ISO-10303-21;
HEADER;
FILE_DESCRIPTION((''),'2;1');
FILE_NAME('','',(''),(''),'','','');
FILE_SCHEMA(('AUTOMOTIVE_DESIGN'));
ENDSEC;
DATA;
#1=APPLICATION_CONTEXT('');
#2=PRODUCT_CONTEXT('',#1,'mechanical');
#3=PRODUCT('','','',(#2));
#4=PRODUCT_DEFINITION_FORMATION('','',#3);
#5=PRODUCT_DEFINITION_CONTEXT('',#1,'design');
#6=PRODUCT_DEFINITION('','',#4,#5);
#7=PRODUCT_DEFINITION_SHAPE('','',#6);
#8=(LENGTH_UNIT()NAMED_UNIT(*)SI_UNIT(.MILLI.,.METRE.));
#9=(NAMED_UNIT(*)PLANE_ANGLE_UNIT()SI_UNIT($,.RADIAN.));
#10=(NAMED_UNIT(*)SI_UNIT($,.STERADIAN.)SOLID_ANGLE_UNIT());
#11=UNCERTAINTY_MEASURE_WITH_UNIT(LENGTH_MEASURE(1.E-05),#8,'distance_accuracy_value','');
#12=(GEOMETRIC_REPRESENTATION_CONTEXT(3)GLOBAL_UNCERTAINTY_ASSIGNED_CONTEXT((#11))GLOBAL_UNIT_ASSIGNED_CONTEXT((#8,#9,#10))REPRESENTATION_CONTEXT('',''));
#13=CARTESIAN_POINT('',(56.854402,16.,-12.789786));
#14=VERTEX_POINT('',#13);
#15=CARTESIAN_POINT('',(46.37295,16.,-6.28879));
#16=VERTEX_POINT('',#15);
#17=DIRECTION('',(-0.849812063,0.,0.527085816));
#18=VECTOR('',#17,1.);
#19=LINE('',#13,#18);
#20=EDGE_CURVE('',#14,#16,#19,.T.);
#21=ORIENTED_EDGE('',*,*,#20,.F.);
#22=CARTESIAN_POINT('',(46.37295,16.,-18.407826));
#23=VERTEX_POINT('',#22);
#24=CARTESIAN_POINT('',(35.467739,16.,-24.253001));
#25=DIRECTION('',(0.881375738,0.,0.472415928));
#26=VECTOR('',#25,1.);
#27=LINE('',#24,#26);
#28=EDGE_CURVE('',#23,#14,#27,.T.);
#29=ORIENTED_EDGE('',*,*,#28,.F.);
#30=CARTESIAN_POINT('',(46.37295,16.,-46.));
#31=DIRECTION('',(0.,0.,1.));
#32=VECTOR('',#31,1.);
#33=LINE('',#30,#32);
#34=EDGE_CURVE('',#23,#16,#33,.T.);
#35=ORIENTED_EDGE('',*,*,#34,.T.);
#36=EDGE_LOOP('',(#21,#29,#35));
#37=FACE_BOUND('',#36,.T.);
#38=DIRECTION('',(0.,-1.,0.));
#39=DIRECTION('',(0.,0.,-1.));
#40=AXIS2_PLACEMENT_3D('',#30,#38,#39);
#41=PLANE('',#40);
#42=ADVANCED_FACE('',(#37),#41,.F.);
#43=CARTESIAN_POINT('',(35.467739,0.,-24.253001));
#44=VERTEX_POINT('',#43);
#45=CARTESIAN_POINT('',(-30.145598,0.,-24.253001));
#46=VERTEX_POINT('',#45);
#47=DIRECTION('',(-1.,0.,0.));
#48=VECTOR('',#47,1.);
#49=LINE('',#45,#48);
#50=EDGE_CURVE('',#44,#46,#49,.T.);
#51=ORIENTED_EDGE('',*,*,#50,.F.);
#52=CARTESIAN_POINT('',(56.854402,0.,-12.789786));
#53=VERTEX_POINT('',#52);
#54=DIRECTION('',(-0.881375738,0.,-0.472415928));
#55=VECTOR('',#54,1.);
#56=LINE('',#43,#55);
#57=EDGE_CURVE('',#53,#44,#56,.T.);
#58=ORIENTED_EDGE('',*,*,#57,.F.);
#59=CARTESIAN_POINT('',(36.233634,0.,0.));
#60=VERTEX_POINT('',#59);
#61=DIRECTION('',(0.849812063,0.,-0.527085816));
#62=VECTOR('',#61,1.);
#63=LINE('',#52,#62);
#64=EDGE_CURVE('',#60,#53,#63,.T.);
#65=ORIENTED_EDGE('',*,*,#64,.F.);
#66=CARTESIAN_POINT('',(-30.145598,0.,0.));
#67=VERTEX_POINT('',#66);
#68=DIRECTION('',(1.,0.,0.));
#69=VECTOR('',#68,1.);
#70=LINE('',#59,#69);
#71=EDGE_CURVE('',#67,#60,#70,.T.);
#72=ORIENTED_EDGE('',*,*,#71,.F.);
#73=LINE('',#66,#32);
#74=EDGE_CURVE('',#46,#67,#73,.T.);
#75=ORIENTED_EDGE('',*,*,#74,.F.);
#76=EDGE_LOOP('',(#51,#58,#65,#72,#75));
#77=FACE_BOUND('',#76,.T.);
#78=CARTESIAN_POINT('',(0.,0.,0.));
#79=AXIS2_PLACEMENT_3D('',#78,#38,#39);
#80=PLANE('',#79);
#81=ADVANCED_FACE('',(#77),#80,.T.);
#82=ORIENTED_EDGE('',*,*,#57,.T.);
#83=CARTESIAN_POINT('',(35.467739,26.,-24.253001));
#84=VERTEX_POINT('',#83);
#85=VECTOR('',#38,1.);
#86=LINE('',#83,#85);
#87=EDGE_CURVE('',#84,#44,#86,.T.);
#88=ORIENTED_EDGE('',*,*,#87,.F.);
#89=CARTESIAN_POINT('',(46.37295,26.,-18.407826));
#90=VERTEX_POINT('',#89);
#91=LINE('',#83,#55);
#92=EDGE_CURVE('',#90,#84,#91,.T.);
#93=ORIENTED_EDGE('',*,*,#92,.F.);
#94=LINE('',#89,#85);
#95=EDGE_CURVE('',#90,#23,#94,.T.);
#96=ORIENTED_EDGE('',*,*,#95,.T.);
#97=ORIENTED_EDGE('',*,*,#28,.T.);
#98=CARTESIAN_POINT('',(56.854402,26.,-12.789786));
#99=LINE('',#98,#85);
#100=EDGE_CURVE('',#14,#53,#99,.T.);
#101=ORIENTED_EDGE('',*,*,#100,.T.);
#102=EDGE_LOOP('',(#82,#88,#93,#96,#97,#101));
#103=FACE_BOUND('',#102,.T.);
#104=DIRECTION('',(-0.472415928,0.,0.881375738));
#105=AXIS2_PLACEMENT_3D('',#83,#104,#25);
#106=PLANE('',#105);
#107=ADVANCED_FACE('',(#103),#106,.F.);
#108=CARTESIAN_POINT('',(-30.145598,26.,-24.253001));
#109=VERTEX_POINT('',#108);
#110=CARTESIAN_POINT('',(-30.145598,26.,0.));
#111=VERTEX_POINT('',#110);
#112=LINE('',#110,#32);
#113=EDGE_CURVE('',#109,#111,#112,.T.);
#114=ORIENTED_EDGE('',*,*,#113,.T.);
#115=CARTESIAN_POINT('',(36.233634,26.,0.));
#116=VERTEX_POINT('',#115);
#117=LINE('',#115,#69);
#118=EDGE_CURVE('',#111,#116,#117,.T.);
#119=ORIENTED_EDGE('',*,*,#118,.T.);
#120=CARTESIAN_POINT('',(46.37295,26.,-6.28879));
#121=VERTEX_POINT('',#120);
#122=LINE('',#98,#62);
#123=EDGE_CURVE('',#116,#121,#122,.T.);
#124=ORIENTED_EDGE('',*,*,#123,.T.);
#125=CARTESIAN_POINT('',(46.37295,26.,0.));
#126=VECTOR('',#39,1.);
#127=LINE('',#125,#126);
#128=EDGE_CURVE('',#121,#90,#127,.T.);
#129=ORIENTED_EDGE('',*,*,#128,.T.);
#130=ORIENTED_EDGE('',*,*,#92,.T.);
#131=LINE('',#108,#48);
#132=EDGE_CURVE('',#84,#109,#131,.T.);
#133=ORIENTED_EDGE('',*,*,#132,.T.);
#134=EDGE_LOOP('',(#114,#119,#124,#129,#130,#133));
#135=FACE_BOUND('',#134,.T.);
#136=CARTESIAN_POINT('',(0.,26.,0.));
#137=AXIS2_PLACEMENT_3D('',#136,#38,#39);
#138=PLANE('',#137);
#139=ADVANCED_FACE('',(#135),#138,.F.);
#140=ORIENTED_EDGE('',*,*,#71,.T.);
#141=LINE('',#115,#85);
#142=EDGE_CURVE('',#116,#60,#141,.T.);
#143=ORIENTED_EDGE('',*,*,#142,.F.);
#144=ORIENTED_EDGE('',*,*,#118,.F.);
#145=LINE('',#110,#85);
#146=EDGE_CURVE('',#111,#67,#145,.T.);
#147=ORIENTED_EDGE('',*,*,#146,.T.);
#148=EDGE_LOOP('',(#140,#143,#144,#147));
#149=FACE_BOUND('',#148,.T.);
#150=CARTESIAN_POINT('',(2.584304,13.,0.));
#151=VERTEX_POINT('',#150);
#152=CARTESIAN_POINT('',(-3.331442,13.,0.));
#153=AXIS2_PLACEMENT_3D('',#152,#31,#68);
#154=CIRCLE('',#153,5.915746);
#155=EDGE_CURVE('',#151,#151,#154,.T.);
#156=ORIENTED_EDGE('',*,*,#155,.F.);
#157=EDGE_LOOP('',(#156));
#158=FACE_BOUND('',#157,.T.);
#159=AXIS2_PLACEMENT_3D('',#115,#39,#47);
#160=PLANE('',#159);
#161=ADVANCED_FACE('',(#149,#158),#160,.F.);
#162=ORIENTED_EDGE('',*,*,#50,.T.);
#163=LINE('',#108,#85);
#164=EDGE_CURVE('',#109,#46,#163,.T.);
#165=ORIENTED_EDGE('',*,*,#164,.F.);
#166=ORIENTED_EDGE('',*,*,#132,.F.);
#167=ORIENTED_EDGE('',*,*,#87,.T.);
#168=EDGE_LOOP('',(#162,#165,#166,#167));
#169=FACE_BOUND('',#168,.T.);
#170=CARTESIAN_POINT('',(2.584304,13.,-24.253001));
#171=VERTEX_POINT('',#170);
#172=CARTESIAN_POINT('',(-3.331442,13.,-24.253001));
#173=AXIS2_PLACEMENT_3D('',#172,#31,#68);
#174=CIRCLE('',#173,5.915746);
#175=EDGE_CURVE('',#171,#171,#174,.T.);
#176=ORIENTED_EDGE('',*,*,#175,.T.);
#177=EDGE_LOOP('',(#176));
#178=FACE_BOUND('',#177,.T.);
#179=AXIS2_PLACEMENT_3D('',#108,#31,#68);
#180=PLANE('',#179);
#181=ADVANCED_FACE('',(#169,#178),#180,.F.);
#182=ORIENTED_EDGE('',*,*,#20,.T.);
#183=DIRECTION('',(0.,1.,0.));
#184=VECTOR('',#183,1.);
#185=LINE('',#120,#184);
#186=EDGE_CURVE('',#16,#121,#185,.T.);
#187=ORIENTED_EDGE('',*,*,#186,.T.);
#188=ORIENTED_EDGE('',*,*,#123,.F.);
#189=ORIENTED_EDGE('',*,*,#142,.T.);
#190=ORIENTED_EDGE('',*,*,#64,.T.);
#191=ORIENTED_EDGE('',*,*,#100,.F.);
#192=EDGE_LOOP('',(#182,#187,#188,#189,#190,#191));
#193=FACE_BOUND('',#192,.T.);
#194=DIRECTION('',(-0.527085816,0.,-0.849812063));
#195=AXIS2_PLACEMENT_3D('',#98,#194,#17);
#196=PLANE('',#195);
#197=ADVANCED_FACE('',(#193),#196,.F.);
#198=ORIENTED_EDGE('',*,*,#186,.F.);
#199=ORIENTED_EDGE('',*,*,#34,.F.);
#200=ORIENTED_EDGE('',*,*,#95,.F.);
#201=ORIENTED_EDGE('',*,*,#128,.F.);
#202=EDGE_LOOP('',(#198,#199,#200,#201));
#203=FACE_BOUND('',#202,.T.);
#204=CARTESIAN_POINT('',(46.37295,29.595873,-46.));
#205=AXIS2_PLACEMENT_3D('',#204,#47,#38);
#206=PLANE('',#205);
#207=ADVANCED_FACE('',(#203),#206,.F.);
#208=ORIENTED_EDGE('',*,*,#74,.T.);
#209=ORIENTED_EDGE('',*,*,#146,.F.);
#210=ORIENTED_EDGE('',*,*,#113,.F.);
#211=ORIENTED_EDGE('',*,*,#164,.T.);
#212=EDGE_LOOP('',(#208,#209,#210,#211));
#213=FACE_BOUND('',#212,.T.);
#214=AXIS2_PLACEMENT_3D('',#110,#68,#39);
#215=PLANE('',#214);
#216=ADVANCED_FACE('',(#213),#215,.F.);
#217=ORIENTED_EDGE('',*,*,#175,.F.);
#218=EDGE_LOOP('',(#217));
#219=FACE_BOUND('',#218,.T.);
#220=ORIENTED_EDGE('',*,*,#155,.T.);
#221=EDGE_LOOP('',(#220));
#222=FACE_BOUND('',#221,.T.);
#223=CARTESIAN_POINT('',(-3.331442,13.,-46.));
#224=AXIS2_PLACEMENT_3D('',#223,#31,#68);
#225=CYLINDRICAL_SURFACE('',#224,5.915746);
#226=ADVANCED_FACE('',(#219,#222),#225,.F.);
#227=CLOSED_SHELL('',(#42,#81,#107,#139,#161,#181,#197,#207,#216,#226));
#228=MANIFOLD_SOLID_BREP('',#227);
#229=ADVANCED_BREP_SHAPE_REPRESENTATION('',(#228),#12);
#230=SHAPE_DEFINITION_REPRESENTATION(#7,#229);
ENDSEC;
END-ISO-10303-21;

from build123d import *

# Parameters (mm, degrees)
EXTRUDE_1_DEPTH     = 26
SKETCH_3_R          = 5.915746271
SKETCH_3_W          = 24.366628961
SKETCH_3_H          = 13.595872682
CUT_EXTRUDE_2_DEPTH = 46


with BuildPart() as part:
    # 스케치2 → 보스-돌출1 (new body)
    with BuildSketch(Plane(origin=(0, 0, 0), x_dir=(1, 0, 0), z_dir=(0, 1, 0))):
        Polygon((-30.145598194, 0), (-30.145598194, 24.253001272), (35.467738861, 24.253001272), (56.854401806, 12.789785553), (36.233634312, 0), align=None)
    extrude(amount=EXTRUDE_1_DEPTH)

    # 스케치3 → 컷-돌출2 (cut)
    with BuildSketch(Plane.XY):
        with Locations((-3.33144194, 13)):
            Circle(SKETCH_3_R)
        with Locations((58.556264228, 22.797936341)):
            Rectangle(SKETCH_3_W, SKETCH_3_H)
    extrude(amount=-CUT_EXTRUDE_2_DEPTH, mode=Mode.SUBTRACT)


solid = part.part
